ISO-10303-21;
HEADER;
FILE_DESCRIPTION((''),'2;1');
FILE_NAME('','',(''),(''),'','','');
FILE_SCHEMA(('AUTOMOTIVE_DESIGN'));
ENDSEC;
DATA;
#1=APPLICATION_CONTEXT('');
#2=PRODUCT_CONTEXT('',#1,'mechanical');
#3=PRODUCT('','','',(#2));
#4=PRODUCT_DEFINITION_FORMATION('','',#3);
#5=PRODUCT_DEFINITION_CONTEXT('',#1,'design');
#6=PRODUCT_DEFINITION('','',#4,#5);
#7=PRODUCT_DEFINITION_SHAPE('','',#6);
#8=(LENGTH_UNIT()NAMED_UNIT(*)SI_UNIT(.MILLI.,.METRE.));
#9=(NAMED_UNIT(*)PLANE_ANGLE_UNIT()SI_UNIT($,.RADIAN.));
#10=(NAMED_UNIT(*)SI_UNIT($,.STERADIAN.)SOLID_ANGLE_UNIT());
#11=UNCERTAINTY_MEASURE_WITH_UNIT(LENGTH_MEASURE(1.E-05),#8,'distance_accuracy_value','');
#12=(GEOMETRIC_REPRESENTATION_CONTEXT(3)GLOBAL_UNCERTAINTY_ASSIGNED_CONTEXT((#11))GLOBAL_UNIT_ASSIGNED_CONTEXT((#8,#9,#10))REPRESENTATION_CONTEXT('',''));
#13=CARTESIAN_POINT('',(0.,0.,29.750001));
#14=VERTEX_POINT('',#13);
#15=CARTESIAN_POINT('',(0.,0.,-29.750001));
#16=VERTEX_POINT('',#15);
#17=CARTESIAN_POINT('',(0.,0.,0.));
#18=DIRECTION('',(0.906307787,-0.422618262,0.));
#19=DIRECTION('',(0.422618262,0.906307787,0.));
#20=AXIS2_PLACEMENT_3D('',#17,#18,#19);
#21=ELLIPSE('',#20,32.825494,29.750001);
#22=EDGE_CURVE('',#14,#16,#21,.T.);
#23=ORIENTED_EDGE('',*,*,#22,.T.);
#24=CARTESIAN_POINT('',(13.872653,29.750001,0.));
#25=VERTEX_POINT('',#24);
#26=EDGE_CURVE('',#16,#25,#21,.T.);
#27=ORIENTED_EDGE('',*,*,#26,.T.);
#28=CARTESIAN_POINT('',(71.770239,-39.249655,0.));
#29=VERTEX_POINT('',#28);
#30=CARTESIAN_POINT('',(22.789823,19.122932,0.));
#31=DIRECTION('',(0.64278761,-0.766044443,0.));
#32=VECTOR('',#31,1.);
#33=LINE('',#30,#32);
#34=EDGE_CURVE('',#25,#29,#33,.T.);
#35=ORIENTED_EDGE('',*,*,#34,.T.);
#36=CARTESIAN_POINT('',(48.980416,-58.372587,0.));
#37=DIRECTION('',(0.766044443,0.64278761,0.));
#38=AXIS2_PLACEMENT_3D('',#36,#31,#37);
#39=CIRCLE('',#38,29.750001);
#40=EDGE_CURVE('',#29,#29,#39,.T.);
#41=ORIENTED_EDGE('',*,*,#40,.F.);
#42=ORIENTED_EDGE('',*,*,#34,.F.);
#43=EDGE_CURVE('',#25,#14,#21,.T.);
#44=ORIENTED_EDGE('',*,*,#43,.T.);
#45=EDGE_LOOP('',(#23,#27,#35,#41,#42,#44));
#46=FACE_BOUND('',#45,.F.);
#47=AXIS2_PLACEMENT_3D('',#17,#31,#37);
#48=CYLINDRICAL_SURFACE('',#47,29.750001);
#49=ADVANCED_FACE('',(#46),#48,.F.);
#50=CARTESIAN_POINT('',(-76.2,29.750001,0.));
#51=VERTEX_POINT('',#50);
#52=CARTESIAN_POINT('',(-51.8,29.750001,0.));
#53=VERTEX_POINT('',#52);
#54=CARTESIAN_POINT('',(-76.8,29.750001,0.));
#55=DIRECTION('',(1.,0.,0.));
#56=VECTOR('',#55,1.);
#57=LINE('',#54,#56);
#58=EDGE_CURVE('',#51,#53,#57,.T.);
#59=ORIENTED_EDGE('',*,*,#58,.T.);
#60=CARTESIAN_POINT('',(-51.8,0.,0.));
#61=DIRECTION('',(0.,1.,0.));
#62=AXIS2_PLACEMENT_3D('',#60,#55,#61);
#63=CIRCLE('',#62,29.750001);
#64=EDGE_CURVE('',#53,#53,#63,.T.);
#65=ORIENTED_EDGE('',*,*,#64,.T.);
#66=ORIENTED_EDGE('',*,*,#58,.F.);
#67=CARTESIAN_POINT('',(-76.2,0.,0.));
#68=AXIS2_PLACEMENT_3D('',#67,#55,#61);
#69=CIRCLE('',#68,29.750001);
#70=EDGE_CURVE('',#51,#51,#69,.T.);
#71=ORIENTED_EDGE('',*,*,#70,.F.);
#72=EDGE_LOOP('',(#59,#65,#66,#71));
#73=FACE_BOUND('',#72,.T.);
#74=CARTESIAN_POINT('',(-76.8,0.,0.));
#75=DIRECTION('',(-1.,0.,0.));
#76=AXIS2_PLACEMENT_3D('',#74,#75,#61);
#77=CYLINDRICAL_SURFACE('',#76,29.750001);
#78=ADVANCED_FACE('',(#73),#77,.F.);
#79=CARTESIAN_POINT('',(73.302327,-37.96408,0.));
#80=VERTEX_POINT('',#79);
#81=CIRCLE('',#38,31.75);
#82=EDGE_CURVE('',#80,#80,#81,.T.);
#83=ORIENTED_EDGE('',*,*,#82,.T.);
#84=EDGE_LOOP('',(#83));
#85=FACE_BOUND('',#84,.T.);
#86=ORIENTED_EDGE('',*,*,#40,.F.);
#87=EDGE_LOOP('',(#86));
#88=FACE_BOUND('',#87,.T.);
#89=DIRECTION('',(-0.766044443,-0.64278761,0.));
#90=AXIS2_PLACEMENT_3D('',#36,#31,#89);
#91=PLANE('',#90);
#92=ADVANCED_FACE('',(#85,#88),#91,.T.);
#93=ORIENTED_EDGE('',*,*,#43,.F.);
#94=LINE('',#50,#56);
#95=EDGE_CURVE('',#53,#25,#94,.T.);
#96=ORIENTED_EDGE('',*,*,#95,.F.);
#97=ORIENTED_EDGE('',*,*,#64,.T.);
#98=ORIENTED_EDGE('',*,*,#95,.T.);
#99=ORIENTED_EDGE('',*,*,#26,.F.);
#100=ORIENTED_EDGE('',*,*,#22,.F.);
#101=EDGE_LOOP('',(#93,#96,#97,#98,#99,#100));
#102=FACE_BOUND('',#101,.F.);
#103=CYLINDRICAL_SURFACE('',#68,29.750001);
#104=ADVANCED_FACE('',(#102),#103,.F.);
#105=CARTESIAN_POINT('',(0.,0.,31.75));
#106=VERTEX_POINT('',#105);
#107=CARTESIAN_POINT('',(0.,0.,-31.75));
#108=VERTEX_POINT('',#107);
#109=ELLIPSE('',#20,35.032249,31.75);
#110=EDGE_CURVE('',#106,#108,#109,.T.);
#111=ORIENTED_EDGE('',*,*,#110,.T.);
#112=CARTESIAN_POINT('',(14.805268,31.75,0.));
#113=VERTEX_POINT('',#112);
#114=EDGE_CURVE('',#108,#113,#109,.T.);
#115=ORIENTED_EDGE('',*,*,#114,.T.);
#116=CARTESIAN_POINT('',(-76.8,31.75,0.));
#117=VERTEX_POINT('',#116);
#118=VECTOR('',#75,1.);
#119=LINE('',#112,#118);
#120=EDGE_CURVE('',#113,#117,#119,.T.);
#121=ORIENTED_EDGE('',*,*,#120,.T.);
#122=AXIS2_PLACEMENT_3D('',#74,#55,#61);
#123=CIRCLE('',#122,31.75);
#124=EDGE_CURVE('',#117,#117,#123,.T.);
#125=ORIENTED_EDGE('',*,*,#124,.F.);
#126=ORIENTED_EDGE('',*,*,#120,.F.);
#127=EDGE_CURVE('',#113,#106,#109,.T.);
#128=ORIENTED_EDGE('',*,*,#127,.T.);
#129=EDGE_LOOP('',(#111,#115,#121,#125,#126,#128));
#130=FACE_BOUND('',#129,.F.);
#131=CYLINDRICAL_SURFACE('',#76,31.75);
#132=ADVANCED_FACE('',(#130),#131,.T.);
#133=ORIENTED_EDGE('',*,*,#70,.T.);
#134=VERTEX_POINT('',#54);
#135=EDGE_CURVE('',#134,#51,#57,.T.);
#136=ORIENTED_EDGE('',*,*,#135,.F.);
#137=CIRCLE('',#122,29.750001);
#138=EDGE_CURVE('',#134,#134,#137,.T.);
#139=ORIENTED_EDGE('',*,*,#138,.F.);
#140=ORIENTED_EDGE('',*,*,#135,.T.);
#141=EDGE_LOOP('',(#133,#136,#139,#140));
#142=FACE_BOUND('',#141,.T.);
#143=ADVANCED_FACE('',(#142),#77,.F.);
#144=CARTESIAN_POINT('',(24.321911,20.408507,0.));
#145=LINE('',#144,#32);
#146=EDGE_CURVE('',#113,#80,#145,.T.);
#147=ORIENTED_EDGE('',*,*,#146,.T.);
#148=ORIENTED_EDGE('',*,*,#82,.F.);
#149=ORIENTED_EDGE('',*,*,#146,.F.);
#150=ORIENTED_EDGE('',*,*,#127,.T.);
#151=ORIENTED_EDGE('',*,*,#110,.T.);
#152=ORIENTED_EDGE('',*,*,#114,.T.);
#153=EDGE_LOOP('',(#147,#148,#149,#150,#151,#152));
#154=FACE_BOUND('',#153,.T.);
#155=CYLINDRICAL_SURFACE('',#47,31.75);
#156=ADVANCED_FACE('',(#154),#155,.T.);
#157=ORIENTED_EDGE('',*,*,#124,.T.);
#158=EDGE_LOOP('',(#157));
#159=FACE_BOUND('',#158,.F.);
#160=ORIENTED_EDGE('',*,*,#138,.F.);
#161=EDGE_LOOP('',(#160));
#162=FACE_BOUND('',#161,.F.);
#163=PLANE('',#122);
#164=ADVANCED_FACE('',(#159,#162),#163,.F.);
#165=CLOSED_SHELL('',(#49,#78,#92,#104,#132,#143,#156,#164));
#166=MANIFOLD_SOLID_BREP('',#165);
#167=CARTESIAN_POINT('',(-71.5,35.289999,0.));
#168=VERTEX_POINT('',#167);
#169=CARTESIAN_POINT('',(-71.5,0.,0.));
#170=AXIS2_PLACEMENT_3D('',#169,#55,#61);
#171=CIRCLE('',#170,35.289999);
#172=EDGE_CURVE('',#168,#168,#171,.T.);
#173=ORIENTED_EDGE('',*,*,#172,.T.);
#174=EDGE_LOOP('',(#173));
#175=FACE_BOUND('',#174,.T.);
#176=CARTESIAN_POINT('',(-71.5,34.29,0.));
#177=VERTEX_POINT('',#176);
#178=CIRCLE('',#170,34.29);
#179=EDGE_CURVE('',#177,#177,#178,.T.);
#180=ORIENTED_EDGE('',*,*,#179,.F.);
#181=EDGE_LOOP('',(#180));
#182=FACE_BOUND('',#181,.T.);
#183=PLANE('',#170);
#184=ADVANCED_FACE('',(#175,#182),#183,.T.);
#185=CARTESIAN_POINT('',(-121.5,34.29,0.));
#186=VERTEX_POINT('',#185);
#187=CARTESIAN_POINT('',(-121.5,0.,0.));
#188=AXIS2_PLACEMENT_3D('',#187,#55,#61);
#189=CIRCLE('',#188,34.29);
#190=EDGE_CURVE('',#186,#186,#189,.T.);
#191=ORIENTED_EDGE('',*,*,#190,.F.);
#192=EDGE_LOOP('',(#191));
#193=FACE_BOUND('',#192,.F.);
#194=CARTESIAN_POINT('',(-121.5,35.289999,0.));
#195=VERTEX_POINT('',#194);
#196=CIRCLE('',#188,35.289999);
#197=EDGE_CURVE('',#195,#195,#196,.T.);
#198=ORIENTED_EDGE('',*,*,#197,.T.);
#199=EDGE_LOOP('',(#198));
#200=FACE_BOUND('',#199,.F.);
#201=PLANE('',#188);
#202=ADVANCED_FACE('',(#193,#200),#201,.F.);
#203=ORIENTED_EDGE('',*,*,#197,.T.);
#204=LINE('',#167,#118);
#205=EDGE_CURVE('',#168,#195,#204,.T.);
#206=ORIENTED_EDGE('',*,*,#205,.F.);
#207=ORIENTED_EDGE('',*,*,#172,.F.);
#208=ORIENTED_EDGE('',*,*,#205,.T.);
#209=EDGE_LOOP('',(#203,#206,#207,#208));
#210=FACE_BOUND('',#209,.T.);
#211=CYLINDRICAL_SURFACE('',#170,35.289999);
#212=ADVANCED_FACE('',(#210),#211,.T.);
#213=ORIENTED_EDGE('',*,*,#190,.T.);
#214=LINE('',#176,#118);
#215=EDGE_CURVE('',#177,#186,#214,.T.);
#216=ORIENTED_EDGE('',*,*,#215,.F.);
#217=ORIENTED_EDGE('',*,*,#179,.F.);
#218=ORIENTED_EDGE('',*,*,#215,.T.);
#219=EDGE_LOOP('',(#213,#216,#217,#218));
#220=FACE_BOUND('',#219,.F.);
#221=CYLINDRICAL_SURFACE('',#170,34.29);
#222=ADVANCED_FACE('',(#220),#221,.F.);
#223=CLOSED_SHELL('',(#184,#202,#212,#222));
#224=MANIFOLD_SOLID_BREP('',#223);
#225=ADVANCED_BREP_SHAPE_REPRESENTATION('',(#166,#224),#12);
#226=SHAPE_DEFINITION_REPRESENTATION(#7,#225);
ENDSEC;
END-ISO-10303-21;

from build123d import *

# Parameters (mm, degrees)
F2_R        = 31.75
F2_R_2      = 29.7500006855
F3_DEPTH    = 25
F3_FACE_R   = 31.75
F3_FACE_R_2 = 29.7500006855
F6_R        = 35.2899990976
F6_R_2      = 34.29
F7_DEPTH    = 50


with BuildPart() as f3:
    # F2 (on offset) → F3 (new body)
    with BuildSketch(Plane.YZ.offset(-76.8)):
        Circle(F2_R)
        Circle(F2_R_2, mode=Mode.SUBTRACT)
    extrude(amount=F3_DEPTH)

    # F4: sweep along a path in F0
    with BuildLine(Plane.XY) as f4_path:
        Line((-76.2, 0), (0, 0))
        Line((0, 0), (48.9804158581, -58.3725865657))
    # F3_face (on face) → F4 (sweep)
    with BuildSketch(Plane.YZ.offset(-51.8)):
        Circle(F3_FACE_R)
        Circle(F3_FACE_R_2, mode=Mode.SUBTRACT)
    sweep(path=f4_path.line, transition=Transition.RIGHT)


with BuildPart() as f7:
    # F6 (on offset) → F7 (new body)
    with BuildSketch(Plane.YZ.offset(-71.5)):
        Circle(F6_R)
        Circle(F6_R_2, mode=Mode.SUBTRACT)
    extrude(amount=-F7_DEPTH)


solid = Compound([f3.part, f7.part])
